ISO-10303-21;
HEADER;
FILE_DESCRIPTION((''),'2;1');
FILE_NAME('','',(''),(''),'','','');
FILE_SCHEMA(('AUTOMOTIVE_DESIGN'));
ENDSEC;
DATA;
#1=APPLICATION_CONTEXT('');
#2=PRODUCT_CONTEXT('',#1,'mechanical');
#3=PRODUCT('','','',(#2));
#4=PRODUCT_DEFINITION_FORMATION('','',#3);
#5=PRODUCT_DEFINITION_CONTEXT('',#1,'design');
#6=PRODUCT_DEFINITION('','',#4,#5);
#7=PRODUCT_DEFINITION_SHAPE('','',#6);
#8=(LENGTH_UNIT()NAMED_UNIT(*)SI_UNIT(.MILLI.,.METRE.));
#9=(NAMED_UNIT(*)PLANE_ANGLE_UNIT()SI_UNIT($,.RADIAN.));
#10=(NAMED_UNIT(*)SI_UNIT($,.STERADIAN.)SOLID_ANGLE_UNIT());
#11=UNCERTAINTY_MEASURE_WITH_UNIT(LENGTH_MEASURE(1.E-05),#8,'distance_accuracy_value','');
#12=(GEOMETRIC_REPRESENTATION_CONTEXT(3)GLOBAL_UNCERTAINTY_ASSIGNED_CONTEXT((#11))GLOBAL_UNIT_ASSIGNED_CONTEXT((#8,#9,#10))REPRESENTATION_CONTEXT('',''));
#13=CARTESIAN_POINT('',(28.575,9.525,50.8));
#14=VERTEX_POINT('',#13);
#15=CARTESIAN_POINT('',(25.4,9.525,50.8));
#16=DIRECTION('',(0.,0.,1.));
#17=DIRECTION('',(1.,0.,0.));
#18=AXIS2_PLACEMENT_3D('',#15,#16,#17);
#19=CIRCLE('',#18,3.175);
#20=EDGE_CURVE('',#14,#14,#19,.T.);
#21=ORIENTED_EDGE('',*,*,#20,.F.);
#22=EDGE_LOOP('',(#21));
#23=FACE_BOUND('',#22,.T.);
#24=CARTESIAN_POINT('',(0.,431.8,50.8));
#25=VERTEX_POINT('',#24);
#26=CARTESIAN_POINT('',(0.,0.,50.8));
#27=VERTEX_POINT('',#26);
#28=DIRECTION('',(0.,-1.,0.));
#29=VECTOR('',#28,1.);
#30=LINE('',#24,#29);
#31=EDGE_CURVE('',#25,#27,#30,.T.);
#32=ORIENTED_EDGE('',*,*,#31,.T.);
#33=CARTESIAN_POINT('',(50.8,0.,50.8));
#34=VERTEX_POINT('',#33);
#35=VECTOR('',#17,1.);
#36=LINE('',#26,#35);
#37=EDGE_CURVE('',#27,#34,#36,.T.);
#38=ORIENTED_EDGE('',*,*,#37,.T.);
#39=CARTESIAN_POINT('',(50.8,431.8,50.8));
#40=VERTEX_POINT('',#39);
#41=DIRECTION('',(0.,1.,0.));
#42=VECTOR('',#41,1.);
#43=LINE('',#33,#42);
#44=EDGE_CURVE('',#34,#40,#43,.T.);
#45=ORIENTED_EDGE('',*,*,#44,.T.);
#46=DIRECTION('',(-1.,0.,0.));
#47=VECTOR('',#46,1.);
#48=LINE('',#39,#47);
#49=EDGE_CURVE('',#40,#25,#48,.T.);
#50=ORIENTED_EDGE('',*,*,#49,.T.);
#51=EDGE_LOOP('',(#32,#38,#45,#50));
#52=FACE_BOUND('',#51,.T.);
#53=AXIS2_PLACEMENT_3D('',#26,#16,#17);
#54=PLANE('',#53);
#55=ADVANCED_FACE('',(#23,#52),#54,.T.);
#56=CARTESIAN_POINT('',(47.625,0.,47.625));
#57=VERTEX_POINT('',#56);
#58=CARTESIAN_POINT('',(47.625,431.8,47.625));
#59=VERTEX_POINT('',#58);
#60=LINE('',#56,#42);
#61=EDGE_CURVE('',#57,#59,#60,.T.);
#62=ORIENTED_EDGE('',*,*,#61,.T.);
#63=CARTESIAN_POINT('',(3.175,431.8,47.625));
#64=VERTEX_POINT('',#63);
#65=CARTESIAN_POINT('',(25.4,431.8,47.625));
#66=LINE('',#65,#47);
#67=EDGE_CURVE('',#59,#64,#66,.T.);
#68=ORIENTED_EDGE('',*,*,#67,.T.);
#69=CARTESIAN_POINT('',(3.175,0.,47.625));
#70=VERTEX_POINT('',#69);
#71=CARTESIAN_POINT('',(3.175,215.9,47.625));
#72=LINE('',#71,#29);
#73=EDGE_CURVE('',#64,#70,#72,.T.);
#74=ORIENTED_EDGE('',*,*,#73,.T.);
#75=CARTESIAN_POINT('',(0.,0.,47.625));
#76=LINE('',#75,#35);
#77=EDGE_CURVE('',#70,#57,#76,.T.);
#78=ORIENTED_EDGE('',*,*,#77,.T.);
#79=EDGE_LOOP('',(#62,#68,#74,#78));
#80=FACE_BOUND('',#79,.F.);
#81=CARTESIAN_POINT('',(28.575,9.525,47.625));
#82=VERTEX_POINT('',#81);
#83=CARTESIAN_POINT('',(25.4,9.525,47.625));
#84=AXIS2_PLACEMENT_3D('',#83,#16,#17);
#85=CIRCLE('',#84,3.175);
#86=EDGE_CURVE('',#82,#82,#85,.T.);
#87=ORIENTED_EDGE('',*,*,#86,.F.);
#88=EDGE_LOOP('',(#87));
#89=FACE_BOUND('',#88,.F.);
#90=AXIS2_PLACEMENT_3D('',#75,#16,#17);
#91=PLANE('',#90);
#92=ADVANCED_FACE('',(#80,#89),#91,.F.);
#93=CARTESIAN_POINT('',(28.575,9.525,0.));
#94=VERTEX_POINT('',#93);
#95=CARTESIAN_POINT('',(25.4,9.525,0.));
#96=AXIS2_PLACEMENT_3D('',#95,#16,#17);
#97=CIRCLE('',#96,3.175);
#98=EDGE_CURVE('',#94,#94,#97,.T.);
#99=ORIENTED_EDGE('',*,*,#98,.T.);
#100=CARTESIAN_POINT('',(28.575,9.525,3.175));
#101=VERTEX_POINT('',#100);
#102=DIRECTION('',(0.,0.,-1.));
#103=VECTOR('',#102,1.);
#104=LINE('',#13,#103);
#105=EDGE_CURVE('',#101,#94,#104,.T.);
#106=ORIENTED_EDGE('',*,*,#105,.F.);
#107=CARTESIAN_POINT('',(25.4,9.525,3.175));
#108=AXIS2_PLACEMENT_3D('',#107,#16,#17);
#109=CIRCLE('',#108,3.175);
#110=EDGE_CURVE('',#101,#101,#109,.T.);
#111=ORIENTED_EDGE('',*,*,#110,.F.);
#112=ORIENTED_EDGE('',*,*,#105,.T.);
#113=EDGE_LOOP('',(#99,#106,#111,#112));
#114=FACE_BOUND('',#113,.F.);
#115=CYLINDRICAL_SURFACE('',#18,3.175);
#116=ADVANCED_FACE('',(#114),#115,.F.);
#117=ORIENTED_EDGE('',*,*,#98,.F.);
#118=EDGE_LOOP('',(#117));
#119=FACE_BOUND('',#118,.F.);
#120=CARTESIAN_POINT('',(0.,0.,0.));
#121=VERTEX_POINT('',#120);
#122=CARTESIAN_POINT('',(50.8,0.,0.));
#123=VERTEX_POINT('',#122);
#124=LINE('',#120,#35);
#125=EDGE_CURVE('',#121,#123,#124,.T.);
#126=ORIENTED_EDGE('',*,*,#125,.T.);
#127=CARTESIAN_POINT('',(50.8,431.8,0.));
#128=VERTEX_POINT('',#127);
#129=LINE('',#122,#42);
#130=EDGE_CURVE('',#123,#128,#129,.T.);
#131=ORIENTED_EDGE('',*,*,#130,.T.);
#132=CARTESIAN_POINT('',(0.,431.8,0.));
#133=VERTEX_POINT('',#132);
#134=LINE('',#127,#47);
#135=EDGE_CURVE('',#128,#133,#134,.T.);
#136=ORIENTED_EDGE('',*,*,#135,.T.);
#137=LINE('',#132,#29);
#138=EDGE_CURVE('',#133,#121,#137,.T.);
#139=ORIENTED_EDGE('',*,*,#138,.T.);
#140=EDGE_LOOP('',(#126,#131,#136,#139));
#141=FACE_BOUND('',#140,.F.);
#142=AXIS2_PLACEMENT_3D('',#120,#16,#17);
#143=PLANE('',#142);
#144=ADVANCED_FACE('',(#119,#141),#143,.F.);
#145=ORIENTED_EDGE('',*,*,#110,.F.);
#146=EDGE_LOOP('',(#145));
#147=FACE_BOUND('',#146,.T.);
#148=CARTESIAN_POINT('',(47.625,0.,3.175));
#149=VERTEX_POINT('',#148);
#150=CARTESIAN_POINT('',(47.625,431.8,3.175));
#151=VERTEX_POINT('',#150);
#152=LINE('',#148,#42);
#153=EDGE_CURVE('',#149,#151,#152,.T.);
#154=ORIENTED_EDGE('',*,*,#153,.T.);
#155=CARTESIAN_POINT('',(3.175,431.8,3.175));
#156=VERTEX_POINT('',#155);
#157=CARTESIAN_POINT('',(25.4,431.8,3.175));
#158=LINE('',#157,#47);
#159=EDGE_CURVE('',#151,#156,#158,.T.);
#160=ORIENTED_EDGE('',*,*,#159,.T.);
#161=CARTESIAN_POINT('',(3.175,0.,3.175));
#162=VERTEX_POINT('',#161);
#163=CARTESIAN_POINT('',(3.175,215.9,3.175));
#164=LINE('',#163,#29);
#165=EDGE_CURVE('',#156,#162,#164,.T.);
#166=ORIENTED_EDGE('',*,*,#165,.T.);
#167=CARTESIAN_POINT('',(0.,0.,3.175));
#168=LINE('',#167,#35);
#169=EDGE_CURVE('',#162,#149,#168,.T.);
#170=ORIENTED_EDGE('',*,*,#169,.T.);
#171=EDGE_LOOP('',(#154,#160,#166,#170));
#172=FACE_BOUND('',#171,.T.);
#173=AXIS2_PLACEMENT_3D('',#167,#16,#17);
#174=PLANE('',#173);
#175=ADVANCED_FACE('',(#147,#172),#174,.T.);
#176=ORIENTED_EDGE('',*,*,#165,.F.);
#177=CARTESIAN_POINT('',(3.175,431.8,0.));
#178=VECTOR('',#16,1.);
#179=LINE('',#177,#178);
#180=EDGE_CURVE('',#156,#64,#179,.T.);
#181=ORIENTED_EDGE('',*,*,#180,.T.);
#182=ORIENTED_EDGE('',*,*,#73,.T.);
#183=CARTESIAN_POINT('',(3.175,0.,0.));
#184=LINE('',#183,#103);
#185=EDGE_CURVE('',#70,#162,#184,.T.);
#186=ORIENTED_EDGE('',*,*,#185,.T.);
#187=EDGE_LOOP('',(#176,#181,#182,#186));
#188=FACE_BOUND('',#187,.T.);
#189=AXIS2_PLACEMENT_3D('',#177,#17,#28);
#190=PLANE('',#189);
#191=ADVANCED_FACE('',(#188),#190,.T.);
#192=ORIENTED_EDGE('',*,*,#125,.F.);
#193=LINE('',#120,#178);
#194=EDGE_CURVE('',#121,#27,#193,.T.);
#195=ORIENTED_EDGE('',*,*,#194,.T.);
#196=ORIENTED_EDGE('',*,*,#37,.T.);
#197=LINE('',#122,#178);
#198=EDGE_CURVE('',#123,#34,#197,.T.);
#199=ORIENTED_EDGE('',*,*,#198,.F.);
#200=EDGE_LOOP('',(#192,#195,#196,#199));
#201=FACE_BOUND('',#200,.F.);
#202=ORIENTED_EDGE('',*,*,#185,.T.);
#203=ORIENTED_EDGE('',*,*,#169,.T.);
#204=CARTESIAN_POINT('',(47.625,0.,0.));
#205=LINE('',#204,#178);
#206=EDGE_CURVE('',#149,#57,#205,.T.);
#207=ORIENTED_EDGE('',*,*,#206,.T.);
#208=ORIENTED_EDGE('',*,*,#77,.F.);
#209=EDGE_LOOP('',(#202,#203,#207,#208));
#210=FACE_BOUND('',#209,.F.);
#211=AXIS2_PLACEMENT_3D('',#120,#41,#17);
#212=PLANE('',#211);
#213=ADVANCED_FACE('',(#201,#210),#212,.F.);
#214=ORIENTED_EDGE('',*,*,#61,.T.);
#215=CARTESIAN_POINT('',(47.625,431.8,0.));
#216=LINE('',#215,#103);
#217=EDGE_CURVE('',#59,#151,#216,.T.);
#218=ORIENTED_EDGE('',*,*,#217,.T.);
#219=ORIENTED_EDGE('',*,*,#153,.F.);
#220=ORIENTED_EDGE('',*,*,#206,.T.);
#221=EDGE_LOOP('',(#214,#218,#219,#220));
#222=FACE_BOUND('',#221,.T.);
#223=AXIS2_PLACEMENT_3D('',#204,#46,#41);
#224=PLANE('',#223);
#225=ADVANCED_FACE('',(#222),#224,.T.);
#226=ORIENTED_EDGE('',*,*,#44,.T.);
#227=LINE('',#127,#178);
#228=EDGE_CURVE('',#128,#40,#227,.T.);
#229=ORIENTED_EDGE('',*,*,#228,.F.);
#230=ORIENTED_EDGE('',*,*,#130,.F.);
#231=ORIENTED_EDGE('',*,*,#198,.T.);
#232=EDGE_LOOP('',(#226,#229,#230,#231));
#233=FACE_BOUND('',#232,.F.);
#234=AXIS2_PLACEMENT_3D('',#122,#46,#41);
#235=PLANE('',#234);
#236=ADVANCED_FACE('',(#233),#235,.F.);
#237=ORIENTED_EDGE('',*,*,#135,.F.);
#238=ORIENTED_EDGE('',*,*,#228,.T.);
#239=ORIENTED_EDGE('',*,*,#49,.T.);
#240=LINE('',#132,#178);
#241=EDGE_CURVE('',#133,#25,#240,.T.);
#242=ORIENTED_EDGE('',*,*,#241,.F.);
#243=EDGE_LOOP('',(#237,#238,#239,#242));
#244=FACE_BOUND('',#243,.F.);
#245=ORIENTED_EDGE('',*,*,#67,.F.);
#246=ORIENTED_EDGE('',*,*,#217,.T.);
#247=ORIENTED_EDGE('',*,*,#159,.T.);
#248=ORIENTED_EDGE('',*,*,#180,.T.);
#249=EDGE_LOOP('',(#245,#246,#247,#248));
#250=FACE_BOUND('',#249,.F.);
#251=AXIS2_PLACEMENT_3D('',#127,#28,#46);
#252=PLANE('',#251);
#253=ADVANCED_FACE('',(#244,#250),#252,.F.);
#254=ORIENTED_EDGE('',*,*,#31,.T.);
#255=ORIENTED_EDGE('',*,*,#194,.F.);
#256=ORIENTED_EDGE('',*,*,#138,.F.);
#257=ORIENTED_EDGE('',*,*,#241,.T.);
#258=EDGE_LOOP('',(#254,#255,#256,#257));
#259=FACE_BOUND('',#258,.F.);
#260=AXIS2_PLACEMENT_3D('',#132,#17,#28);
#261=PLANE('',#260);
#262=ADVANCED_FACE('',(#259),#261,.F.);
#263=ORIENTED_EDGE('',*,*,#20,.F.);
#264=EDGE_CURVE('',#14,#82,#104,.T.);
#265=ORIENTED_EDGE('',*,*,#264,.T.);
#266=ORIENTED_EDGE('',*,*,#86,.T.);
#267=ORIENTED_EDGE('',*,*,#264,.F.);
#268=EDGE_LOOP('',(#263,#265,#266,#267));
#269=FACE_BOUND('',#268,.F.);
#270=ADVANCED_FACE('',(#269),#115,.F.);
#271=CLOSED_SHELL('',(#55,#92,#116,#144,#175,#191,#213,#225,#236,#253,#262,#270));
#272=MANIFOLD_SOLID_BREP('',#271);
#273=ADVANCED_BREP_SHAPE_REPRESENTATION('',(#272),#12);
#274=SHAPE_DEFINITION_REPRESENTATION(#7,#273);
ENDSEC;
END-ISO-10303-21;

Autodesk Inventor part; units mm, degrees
ref_plane "YZ Plane" through (0, 0, 0) normal (1, 0, 0) x (0, 1, 0)
ref_plane "XZ Plane" through (0, 0, 0) normal (0, 1, 0) x (-1, 0, 0)
ref_plane "XY Plane" through (0, 0, 0) normal (0, 0, 1) x (1, 0, 0)
sketch "Sketch1" plane through (0, 0, 0) normal (0, 0, 1) x (1, 0, 0)
  line L0 (0, 0) -> (50.8, 0)
  line L1 (50.8, 0) -> (50.8, 431.8)
  line L2 (50.8, 431.8) -> (0, 431.8)
  line L3 (0, 431.8) -> (0, 0)
  dimension "d0" = 50.8
  dimension "d1" = 431.8
extrude "Extrusion1" add sketch "Sketch1" along normal blind 50.8
shell "Shell1" thickness 3.175 removed faces 2 at (33.8667, 431.8, 16.9333) at (16.9333, 0, 16.9333)
sketch "Sketch3" plane through (0, 0, 50.8) normal (0, 0, 1) x (1, 0, 0)
  line L0 (50.8, 0) -> (0, 0) projected
  line L1 (50.8, 431.8) -> (50.8, 0) projected
  circle A0 centre (25.4, 9.525) radius 3.175
  dimension "d10" = 9.525
  dimension "d11" = 25.4
  dimension "d12" = 6.35
extrude "Extrusion3" cut sketch "Sketch3" against normal through all
properties part number "CentralColumn" material "Aluminum-6061"
